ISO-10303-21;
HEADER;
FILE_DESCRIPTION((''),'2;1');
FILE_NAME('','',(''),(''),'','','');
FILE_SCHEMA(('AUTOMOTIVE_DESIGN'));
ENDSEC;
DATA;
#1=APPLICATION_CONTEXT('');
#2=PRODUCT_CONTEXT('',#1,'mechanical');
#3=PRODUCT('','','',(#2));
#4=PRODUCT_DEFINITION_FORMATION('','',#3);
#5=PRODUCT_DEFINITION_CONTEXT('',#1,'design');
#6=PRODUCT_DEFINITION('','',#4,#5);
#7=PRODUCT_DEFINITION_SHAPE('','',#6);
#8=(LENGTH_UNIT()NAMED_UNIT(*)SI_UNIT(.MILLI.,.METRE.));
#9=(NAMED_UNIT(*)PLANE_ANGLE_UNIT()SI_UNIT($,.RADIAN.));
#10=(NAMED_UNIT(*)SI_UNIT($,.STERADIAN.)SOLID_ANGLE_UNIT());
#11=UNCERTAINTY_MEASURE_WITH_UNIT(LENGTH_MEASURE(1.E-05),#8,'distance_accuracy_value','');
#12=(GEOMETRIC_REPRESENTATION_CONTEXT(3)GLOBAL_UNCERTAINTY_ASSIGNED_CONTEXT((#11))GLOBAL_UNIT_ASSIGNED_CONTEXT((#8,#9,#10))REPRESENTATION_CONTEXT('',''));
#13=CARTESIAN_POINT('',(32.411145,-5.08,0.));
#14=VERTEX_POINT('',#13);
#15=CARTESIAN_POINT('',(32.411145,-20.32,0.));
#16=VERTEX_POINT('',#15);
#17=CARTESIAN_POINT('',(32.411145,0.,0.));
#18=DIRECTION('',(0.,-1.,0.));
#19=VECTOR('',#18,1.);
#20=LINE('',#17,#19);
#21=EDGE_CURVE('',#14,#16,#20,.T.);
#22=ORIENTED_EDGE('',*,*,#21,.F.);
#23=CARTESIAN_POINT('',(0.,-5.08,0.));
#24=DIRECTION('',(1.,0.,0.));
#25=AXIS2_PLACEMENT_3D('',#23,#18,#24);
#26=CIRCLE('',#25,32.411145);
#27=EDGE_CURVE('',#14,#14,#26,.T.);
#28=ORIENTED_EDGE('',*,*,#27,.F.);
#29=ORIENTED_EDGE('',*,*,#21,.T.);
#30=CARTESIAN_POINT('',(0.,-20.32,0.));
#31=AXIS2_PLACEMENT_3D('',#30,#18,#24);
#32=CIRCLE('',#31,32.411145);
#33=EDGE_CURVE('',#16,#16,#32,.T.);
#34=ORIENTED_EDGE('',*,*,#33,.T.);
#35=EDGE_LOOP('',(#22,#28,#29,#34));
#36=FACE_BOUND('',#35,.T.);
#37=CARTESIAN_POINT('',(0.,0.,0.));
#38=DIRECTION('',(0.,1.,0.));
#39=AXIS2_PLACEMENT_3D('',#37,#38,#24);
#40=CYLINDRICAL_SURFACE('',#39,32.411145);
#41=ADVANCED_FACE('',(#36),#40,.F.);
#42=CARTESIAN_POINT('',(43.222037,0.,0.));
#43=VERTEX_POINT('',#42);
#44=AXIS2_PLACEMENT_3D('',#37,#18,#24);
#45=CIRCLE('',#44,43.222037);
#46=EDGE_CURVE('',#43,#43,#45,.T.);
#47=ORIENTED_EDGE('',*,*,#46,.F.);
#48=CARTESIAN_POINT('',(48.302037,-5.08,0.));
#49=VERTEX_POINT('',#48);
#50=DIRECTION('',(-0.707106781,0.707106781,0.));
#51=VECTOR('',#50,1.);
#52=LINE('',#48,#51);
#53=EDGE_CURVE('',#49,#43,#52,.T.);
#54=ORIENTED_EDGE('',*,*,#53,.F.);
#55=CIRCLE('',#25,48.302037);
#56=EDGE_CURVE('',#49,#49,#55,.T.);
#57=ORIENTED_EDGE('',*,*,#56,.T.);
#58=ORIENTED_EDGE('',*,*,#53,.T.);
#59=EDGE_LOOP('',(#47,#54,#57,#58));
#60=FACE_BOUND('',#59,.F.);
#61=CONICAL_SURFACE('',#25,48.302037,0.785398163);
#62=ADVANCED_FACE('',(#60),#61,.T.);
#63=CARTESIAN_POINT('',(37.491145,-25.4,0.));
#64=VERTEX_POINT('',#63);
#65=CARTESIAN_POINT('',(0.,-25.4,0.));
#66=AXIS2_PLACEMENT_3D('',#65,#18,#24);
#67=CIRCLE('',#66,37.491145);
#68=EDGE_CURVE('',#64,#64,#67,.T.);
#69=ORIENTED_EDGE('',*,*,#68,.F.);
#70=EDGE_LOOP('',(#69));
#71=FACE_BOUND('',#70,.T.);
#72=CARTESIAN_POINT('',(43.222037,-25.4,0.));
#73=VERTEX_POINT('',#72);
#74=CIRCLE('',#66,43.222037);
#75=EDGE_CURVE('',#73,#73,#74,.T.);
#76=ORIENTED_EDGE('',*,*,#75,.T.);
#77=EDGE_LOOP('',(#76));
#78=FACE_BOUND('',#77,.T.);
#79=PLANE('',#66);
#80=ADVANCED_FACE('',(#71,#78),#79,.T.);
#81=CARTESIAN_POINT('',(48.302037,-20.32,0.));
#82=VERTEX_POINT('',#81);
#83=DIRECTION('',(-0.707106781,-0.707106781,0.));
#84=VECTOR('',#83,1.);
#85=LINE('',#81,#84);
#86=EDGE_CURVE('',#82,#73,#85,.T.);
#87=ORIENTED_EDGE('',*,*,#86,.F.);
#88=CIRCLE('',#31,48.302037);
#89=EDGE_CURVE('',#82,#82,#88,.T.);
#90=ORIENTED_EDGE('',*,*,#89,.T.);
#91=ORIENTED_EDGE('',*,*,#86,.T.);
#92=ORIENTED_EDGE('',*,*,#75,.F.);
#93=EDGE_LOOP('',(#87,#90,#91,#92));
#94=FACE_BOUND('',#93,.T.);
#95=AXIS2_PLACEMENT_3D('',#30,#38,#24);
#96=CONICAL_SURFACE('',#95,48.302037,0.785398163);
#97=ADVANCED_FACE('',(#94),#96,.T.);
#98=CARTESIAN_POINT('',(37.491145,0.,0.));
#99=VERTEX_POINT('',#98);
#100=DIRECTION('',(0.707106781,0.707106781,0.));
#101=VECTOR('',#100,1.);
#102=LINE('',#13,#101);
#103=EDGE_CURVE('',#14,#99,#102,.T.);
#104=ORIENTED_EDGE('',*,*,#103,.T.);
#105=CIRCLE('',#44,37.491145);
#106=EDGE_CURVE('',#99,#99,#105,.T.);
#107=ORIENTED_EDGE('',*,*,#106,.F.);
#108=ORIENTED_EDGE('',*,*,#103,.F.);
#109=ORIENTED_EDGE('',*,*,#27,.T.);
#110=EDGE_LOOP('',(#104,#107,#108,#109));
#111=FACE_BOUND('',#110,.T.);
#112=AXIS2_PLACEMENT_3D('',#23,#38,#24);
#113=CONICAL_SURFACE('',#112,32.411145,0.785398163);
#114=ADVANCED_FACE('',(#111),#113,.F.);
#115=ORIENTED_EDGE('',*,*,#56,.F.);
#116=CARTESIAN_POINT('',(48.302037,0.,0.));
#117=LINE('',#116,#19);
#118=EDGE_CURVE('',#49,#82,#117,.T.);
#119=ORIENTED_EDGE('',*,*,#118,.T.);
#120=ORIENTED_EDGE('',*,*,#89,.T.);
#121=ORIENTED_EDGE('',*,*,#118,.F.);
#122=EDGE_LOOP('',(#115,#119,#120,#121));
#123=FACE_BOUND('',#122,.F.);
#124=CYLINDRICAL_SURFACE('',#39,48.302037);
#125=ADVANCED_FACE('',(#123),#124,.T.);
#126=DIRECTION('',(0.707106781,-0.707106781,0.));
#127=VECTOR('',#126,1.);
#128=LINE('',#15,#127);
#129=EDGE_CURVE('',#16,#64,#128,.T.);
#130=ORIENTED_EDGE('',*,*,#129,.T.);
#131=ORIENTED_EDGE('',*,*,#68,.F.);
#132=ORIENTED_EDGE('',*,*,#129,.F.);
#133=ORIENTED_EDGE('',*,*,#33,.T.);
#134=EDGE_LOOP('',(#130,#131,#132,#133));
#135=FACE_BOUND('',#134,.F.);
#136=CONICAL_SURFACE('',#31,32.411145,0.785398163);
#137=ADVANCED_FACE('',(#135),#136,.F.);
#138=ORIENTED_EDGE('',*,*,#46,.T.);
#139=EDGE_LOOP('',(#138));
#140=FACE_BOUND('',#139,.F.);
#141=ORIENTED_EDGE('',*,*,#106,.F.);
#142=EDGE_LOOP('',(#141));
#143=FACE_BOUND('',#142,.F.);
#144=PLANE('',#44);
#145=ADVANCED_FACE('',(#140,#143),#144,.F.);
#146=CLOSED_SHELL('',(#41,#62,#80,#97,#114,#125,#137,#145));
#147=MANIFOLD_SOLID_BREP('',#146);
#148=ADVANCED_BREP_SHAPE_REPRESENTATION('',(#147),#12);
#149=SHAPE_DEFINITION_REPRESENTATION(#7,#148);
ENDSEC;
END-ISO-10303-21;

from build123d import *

# Parameters (mm, degrees)
F0_R     = 48.302037
F0_R_2   = 32.411145
F1_DEPTH = 25.4
F2_SIZE  = 5.08


with BuildPart() as f1:
    # F0 (on Front) → F1 (new body)
    with BuildSketch(Plane.XZ):
        Circle(F0_R)
        Circle(F0_R_2, mode=Mode.SUBTRACT)
    extrude(amount=F1_DEPTH)

    # F2
    f2_edges = [f1.edges().sort_by_distance(p)[0] for p in [
        (-48.302037, -25.4, 0),
        (-48.302037, 0, 0),
        (-32.411145, 0, 0),
        (32.411145, -12.7, 0),
        (-32.411145, -25.4, 0),
    ]]
    chamfer(f2_edges, length=F2_SIZE)


solid = f1.part
